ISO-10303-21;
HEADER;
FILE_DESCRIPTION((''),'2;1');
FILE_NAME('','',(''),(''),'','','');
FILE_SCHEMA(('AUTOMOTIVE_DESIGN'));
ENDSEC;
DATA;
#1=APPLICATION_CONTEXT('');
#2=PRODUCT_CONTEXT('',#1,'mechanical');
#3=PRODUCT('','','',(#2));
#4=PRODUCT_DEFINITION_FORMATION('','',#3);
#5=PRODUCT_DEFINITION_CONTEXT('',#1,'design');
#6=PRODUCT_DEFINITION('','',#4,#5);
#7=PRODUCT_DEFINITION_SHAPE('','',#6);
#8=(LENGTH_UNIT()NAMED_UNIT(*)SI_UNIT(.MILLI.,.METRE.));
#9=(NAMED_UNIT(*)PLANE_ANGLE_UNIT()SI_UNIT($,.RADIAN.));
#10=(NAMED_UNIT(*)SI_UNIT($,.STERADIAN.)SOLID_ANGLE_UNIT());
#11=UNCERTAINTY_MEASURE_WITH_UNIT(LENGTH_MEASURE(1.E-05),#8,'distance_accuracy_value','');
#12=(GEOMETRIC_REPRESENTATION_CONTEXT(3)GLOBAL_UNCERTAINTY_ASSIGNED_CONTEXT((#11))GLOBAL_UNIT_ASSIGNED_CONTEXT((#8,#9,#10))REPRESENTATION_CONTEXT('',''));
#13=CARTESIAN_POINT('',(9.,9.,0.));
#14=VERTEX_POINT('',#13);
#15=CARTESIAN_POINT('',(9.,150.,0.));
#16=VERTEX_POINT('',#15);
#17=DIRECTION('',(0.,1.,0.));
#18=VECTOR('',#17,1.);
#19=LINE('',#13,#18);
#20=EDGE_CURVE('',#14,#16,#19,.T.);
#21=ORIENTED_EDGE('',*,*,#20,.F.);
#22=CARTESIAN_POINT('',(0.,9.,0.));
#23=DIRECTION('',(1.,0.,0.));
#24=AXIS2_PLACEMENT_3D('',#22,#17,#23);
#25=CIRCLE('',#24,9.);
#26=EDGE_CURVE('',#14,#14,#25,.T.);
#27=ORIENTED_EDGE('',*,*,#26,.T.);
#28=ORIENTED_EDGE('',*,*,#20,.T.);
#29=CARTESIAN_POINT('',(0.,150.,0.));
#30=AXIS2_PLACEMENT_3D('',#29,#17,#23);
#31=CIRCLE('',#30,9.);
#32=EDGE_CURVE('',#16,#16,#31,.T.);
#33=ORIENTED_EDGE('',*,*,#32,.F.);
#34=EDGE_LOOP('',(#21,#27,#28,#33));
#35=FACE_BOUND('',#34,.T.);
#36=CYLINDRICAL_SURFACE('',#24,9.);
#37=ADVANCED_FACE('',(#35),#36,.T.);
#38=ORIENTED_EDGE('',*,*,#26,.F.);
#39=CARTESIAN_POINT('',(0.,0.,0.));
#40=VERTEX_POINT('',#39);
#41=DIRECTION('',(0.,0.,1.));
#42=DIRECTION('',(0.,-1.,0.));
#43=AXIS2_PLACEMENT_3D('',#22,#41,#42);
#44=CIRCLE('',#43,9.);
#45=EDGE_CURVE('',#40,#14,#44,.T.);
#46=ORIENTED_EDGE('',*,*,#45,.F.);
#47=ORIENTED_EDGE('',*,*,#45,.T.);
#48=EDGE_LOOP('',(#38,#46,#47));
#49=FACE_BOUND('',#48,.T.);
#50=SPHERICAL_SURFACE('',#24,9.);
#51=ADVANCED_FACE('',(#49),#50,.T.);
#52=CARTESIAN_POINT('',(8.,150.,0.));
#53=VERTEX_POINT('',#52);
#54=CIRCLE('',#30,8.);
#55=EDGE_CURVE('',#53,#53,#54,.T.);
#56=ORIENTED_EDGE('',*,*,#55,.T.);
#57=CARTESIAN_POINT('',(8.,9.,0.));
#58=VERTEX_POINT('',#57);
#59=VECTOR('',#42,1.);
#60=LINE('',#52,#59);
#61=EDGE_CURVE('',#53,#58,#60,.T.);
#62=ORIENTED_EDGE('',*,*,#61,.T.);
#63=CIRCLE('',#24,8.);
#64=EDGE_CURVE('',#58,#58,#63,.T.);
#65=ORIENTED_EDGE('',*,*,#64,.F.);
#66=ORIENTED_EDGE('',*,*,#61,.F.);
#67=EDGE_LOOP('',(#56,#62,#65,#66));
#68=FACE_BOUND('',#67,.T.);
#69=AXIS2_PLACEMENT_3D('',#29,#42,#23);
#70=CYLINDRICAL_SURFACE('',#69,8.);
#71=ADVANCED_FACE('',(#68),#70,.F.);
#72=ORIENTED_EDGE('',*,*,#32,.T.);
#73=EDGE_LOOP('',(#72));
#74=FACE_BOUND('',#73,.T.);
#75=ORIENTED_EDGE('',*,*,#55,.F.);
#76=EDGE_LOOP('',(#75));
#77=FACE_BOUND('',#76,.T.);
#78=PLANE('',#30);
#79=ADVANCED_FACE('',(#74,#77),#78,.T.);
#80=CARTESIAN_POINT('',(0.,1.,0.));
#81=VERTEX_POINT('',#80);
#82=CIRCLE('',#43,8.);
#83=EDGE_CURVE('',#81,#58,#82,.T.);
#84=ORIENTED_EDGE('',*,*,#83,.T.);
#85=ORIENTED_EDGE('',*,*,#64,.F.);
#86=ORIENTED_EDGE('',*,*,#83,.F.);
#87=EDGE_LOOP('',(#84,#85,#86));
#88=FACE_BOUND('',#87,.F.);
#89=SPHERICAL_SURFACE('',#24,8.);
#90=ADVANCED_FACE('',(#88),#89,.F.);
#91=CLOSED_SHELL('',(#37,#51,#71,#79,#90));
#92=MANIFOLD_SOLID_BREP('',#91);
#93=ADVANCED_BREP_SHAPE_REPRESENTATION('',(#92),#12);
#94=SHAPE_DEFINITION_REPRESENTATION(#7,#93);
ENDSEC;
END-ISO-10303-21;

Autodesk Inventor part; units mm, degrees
ref_plane "YZ Plane" through (0, 0, 0) normal (1, 0, 0) x (0, 1, 0)
ref_plane "XZ Plane" through (0, 0, 0) normal (0, 1, 0) x (-1, 0, 0)
ref_plane "XY Plane" through (0, 0, 0) normal (0, 0, 1) x (1, 0, 0)
sketch "Sketch1" plane through (0, 0, 0) normal (0, 0, 1) x (1, 0, 0)
  arc A0 (0, 0) -> (9, 9) centre (0, 9) ccw
  line L0 (9, 9) -> (9, 150)
  line L1 (9, 150) -> (8, 150)
  line L2 (8, 150) -> (8, 9)
  arc A1 (0, 1) -> (8, 9) centre (0, 9) ccw
  line L3 (0, -32.2368) -> (0, 180.3728) projected
  line L4 (0, 1) -> (0, 0)
  point P0 (0, 0)
  dimension "d0" = 18
  dimension "d1" = 1
  dimension "d2" = 150
revolve "Revolution1" add sketch "Sketch1" angle 360 about axis through (0, -10, 0) along (0, 1, 0)
properties part number "Test Tube" material "Glass"
